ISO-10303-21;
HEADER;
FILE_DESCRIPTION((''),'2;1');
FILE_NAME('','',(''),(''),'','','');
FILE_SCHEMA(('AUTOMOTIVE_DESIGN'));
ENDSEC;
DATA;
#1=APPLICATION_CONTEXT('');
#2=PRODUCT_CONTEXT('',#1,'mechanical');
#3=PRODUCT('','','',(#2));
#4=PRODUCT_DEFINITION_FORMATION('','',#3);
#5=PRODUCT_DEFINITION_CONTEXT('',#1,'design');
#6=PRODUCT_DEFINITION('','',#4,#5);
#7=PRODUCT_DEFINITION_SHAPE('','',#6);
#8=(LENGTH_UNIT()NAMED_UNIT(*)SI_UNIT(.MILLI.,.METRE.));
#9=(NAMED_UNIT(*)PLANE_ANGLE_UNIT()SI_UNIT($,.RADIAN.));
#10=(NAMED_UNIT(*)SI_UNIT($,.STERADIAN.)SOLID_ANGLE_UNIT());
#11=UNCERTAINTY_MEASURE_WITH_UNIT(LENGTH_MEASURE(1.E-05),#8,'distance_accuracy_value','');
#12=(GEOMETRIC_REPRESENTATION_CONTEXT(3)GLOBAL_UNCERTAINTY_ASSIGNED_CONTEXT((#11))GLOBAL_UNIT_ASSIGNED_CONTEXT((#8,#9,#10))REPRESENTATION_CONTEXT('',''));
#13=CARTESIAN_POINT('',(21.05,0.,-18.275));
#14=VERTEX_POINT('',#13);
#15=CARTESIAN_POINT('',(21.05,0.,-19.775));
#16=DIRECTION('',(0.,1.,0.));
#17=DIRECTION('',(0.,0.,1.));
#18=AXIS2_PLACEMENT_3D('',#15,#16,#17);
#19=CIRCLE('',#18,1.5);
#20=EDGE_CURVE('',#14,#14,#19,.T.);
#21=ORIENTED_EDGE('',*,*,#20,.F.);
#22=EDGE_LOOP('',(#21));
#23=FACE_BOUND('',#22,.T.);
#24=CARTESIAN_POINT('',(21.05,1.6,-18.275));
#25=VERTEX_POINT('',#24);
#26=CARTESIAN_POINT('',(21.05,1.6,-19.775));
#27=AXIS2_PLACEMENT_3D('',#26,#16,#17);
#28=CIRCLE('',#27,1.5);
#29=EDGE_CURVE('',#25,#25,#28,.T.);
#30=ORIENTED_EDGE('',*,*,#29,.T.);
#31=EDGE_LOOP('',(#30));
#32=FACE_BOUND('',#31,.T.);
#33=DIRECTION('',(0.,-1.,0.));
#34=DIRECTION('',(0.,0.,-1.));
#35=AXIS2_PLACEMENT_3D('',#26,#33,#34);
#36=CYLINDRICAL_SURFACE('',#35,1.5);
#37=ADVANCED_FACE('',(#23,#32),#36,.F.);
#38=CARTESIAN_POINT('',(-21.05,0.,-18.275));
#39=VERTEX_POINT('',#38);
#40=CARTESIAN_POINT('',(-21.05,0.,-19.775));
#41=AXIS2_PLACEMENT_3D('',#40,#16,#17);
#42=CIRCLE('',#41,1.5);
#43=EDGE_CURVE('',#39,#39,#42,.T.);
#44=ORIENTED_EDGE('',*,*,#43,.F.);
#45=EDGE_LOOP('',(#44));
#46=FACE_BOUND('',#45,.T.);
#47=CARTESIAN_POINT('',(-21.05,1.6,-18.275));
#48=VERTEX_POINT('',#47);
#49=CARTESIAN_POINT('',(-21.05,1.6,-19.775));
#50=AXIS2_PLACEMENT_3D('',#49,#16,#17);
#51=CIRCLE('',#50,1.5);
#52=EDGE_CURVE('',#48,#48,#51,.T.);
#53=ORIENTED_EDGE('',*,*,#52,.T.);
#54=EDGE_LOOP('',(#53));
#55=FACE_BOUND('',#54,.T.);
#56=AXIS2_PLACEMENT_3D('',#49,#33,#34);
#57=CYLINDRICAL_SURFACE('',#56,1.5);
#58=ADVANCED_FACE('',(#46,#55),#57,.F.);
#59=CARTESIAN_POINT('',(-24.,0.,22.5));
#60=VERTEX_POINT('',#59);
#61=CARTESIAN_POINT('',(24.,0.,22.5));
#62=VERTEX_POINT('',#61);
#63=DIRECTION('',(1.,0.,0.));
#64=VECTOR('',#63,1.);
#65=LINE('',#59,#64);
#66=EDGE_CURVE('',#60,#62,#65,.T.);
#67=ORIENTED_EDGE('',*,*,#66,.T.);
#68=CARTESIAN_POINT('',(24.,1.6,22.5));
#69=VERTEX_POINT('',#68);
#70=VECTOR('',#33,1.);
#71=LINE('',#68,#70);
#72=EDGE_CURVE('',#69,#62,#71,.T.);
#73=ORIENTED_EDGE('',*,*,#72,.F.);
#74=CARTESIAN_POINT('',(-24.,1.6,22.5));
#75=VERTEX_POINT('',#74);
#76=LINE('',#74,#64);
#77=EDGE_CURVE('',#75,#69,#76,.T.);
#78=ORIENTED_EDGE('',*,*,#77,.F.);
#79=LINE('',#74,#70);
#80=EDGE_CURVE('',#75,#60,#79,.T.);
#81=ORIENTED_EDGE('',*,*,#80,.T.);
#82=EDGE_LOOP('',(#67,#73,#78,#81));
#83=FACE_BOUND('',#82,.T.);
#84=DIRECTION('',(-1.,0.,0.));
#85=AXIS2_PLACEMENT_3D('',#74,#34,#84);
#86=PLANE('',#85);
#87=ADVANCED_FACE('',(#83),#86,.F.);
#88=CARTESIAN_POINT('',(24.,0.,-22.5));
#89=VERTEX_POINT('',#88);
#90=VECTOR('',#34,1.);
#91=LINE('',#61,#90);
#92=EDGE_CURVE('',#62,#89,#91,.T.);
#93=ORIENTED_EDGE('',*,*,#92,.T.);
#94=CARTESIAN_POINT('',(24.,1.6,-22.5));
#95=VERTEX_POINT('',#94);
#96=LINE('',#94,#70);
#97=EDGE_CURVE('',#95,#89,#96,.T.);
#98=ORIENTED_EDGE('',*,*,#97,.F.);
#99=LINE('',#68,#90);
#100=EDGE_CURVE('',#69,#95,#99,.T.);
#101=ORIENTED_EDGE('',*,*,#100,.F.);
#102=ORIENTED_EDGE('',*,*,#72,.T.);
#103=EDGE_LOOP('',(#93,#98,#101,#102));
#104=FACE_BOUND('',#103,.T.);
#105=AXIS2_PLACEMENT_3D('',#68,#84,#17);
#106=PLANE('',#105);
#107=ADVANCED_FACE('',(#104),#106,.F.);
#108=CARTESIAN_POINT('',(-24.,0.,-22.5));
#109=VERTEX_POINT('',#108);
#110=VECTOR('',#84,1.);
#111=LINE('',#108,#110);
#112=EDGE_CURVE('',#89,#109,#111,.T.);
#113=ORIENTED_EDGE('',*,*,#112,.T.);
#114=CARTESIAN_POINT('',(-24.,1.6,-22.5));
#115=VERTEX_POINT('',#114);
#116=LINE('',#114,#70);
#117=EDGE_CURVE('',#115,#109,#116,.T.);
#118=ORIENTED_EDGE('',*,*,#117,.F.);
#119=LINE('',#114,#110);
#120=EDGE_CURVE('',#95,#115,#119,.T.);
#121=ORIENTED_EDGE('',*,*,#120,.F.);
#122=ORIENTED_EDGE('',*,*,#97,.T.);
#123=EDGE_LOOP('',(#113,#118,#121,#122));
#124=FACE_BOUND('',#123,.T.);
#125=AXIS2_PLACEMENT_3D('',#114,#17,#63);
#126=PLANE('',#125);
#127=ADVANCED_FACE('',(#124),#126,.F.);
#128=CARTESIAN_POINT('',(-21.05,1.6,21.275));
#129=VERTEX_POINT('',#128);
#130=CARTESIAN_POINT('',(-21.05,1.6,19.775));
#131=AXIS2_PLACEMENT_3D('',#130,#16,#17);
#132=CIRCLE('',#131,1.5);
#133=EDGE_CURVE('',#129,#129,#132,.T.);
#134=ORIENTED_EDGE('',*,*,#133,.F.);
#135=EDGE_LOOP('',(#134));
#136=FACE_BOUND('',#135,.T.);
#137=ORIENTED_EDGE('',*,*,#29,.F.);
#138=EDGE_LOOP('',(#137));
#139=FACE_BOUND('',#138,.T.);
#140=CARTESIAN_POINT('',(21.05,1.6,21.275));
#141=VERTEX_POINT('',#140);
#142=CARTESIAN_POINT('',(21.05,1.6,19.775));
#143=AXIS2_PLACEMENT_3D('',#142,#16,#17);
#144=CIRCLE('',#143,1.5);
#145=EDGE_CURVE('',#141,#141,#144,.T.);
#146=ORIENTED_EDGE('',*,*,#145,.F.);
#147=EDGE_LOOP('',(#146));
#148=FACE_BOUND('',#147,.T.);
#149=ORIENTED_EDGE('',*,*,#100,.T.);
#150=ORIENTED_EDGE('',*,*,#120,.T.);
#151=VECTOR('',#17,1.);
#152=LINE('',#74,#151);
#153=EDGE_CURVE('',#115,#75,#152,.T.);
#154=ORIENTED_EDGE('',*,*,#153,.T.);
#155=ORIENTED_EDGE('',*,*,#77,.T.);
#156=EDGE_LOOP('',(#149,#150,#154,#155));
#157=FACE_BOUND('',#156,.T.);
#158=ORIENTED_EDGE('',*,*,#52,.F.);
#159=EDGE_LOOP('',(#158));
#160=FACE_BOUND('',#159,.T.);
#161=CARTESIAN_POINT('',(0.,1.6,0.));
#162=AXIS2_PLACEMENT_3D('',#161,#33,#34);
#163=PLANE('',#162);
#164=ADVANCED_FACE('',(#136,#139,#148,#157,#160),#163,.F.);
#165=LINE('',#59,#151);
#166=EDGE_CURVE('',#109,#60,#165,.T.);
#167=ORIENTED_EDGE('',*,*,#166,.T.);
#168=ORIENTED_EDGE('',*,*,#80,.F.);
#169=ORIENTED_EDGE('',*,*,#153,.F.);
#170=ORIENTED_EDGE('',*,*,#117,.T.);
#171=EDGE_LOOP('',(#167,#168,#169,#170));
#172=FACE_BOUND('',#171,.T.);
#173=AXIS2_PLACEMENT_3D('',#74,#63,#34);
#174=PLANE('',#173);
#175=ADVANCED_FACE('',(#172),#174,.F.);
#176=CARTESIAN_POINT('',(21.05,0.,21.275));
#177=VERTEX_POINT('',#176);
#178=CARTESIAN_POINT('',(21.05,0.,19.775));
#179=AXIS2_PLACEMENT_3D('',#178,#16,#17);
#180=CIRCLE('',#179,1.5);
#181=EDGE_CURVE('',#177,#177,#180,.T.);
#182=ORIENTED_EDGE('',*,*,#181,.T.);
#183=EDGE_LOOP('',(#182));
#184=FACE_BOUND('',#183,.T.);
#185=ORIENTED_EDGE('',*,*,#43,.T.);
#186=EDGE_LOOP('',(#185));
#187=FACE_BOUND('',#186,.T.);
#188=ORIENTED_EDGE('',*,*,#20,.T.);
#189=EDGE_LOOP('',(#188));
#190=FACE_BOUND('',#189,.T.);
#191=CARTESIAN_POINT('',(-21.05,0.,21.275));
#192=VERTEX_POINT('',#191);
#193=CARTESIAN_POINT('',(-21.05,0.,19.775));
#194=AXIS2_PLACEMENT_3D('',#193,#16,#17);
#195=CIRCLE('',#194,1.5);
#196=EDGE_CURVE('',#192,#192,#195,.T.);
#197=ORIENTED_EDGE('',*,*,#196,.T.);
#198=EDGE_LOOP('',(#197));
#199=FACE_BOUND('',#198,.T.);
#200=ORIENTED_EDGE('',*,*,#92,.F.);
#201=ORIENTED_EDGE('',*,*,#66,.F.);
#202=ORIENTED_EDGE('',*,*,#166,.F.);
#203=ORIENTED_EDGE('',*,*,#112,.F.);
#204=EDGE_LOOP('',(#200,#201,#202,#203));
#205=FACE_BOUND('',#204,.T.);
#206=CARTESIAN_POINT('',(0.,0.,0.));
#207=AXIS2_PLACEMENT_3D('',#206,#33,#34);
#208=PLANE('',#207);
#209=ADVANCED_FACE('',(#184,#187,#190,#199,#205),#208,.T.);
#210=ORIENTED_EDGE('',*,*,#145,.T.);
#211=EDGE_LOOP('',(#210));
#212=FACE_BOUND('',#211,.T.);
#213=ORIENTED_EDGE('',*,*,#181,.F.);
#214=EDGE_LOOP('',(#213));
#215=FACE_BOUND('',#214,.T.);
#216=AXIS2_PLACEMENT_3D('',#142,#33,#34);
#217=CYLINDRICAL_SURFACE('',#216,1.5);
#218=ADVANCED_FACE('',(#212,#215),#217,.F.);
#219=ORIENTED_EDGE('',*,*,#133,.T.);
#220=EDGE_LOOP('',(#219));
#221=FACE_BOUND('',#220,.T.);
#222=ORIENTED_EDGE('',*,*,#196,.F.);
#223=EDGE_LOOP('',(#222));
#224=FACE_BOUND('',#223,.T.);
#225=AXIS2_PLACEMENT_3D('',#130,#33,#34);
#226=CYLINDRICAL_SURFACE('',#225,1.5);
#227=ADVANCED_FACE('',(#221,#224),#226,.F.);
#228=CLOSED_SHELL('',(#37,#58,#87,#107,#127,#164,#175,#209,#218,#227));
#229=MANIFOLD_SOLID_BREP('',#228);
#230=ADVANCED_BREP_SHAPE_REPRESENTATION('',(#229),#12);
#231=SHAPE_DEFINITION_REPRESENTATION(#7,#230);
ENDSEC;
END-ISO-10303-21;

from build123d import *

# Parameters (mm, degrees)
CROQUIS1_W              = 48
CROQUIS1_H              = 45
CROQUIS1_R              = 1.5
SALIENTE_EXTRUIR1_DEPTH = 1.6


with BuildPart() as part:
    # Croquis1 → Saliente-Extruir1 (new body)
    with BuildSketch(Plane(origin=(0, 0, 0), x_dir=(1, 0, 0), z_dir=(0, 1, 0))):
        Rectangle(CROQUIS1_W, CROQUIS1_H)
        with Locations(Location((21.05, 19.775, 0), (0, 0, 270))):
            Circle(CROQUIS1_R, mode=Mode.SUBTRACT)
        with Locations(Location((-21.05, 19.775, 0), (0, 0, 270))):
            Circle(CROQUIS1_R, mode=Mode.SUBTRACT)
        with Locations(Location((-21.05, -19.775, 0), (0, 0, 270))):
            Circle(CROQUIS1_R, mode=Mode.SUBTRACT)
        with Locations(Location((21.05, -19.775, 0), (0, 0, 270))):
            Circle(CROQUIS1_R, mode=Mode.SUBTRACT)
    extrude(amount=SALIENTE_EXTRUIR1_DEPTH)


solid = part.part
